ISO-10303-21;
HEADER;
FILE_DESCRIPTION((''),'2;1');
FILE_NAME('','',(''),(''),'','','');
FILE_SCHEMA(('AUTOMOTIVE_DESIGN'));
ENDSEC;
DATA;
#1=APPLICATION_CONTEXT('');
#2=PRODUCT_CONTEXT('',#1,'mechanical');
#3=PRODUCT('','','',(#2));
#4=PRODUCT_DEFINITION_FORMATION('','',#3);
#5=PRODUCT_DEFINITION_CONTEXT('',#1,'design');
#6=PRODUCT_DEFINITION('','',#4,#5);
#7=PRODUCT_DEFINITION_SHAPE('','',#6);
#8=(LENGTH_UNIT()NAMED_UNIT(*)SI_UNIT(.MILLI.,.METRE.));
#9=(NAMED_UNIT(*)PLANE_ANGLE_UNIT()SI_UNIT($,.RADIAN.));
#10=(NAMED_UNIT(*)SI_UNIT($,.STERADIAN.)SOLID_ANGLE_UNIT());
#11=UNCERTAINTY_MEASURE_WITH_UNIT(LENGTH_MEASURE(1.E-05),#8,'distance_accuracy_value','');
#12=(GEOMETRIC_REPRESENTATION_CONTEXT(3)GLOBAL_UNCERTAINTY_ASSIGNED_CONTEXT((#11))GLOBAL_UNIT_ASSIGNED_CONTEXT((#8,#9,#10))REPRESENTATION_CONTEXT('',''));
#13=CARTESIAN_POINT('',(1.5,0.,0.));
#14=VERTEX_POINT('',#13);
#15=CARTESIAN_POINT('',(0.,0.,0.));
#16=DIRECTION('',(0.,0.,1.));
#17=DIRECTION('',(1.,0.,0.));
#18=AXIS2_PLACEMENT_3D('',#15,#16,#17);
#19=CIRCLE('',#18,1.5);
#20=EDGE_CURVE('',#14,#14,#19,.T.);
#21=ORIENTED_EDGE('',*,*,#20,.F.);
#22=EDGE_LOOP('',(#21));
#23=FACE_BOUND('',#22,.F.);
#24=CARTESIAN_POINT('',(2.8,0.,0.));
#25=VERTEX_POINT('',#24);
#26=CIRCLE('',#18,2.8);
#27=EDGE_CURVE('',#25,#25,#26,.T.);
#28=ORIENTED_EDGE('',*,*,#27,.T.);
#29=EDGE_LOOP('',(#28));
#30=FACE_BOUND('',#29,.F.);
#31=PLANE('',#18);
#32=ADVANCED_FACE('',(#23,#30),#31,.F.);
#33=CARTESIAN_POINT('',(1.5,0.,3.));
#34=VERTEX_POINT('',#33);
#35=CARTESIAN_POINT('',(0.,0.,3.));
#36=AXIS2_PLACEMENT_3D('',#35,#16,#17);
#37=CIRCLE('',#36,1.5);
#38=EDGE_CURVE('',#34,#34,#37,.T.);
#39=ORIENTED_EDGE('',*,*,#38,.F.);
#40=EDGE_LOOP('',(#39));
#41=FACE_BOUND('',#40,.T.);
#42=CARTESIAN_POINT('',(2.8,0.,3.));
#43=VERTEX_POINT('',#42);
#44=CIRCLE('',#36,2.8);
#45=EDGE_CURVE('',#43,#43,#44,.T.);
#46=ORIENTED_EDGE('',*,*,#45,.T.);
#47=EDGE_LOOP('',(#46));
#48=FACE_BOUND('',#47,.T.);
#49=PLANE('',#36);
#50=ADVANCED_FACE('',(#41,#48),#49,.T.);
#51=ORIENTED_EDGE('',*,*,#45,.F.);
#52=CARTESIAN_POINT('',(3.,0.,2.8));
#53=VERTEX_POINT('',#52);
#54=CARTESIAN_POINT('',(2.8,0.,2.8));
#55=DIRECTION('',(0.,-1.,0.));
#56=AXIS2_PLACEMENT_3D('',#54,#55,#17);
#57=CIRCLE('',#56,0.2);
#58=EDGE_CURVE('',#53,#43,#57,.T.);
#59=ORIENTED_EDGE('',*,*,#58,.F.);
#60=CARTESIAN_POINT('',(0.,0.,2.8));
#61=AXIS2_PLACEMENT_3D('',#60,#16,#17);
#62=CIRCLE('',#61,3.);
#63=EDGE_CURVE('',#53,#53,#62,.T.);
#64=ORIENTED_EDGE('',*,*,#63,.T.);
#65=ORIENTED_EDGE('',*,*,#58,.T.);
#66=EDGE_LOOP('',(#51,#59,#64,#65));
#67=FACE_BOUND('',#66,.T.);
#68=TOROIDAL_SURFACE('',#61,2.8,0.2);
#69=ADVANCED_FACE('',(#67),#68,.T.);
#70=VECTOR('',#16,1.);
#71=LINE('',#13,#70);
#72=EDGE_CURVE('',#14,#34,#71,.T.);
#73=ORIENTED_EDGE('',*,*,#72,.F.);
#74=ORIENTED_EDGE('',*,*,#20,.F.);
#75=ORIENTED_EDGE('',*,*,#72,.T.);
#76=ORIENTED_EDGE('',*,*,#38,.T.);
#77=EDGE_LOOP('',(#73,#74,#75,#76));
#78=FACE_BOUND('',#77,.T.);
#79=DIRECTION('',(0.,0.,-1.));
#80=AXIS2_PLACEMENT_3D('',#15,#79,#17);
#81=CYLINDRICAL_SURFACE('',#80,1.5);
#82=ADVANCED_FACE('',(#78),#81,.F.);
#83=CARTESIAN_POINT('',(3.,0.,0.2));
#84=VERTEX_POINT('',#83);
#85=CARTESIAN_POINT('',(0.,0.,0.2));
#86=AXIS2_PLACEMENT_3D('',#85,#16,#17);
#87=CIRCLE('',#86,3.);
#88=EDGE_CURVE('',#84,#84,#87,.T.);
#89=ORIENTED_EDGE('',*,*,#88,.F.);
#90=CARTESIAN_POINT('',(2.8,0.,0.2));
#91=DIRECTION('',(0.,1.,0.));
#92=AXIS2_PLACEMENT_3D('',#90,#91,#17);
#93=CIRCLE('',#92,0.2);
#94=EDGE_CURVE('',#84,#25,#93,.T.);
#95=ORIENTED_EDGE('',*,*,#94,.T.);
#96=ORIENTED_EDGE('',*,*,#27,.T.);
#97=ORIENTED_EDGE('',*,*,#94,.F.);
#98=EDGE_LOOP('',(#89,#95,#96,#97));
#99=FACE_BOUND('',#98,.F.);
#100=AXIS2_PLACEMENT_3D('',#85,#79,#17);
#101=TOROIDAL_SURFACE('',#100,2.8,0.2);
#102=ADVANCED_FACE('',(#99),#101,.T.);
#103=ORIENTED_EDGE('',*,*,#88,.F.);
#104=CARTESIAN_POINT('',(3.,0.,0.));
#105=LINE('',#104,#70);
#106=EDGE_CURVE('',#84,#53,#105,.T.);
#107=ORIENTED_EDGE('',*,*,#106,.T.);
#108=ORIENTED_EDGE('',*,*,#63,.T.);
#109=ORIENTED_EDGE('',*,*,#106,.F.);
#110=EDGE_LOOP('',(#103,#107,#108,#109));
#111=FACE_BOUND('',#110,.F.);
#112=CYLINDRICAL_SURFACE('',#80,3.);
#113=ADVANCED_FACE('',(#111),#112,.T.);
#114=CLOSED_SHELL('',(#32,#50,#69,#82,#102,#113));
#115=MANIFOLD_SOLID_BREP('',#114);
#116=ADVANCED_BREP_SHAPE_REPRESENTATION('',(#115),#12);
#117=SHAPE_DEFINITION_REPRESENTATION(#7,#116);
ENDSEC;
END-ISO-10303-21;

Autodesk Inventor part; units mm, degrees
ref_plane "YZ Plane" through (0, 0, 0) normal (1, 0, 0) x (0, 1, 0)
ref_plane "XZ Plane" through (0, 0, 0) normal (0, 1, 0) x (-1, 0, 0)
ref_plane "XY Plane" through (0, 0, 0) normal (0, 0, 1) x (1, 0, 0)
sketch "スケッチ1" plane through (0, 0, 0) normal (0, 0, 1) x (1, 0, 0)
  circle A0 centre (0, 0) radius 3
  circle A1 centre (0, 0) radius 1.5
  dimension "d0" = 6
  dimension "d1" = 3
extrude "押し出し1" add sketch "スケッチ1" along normal blind 3
fillet "フィレット1" radius 0.2 2 edges at (-3, 0, 0) (-3, 0, 3)
properties part number "スペーサー中空M3L3アルミ" material "アルミニウム 2014-T4"
